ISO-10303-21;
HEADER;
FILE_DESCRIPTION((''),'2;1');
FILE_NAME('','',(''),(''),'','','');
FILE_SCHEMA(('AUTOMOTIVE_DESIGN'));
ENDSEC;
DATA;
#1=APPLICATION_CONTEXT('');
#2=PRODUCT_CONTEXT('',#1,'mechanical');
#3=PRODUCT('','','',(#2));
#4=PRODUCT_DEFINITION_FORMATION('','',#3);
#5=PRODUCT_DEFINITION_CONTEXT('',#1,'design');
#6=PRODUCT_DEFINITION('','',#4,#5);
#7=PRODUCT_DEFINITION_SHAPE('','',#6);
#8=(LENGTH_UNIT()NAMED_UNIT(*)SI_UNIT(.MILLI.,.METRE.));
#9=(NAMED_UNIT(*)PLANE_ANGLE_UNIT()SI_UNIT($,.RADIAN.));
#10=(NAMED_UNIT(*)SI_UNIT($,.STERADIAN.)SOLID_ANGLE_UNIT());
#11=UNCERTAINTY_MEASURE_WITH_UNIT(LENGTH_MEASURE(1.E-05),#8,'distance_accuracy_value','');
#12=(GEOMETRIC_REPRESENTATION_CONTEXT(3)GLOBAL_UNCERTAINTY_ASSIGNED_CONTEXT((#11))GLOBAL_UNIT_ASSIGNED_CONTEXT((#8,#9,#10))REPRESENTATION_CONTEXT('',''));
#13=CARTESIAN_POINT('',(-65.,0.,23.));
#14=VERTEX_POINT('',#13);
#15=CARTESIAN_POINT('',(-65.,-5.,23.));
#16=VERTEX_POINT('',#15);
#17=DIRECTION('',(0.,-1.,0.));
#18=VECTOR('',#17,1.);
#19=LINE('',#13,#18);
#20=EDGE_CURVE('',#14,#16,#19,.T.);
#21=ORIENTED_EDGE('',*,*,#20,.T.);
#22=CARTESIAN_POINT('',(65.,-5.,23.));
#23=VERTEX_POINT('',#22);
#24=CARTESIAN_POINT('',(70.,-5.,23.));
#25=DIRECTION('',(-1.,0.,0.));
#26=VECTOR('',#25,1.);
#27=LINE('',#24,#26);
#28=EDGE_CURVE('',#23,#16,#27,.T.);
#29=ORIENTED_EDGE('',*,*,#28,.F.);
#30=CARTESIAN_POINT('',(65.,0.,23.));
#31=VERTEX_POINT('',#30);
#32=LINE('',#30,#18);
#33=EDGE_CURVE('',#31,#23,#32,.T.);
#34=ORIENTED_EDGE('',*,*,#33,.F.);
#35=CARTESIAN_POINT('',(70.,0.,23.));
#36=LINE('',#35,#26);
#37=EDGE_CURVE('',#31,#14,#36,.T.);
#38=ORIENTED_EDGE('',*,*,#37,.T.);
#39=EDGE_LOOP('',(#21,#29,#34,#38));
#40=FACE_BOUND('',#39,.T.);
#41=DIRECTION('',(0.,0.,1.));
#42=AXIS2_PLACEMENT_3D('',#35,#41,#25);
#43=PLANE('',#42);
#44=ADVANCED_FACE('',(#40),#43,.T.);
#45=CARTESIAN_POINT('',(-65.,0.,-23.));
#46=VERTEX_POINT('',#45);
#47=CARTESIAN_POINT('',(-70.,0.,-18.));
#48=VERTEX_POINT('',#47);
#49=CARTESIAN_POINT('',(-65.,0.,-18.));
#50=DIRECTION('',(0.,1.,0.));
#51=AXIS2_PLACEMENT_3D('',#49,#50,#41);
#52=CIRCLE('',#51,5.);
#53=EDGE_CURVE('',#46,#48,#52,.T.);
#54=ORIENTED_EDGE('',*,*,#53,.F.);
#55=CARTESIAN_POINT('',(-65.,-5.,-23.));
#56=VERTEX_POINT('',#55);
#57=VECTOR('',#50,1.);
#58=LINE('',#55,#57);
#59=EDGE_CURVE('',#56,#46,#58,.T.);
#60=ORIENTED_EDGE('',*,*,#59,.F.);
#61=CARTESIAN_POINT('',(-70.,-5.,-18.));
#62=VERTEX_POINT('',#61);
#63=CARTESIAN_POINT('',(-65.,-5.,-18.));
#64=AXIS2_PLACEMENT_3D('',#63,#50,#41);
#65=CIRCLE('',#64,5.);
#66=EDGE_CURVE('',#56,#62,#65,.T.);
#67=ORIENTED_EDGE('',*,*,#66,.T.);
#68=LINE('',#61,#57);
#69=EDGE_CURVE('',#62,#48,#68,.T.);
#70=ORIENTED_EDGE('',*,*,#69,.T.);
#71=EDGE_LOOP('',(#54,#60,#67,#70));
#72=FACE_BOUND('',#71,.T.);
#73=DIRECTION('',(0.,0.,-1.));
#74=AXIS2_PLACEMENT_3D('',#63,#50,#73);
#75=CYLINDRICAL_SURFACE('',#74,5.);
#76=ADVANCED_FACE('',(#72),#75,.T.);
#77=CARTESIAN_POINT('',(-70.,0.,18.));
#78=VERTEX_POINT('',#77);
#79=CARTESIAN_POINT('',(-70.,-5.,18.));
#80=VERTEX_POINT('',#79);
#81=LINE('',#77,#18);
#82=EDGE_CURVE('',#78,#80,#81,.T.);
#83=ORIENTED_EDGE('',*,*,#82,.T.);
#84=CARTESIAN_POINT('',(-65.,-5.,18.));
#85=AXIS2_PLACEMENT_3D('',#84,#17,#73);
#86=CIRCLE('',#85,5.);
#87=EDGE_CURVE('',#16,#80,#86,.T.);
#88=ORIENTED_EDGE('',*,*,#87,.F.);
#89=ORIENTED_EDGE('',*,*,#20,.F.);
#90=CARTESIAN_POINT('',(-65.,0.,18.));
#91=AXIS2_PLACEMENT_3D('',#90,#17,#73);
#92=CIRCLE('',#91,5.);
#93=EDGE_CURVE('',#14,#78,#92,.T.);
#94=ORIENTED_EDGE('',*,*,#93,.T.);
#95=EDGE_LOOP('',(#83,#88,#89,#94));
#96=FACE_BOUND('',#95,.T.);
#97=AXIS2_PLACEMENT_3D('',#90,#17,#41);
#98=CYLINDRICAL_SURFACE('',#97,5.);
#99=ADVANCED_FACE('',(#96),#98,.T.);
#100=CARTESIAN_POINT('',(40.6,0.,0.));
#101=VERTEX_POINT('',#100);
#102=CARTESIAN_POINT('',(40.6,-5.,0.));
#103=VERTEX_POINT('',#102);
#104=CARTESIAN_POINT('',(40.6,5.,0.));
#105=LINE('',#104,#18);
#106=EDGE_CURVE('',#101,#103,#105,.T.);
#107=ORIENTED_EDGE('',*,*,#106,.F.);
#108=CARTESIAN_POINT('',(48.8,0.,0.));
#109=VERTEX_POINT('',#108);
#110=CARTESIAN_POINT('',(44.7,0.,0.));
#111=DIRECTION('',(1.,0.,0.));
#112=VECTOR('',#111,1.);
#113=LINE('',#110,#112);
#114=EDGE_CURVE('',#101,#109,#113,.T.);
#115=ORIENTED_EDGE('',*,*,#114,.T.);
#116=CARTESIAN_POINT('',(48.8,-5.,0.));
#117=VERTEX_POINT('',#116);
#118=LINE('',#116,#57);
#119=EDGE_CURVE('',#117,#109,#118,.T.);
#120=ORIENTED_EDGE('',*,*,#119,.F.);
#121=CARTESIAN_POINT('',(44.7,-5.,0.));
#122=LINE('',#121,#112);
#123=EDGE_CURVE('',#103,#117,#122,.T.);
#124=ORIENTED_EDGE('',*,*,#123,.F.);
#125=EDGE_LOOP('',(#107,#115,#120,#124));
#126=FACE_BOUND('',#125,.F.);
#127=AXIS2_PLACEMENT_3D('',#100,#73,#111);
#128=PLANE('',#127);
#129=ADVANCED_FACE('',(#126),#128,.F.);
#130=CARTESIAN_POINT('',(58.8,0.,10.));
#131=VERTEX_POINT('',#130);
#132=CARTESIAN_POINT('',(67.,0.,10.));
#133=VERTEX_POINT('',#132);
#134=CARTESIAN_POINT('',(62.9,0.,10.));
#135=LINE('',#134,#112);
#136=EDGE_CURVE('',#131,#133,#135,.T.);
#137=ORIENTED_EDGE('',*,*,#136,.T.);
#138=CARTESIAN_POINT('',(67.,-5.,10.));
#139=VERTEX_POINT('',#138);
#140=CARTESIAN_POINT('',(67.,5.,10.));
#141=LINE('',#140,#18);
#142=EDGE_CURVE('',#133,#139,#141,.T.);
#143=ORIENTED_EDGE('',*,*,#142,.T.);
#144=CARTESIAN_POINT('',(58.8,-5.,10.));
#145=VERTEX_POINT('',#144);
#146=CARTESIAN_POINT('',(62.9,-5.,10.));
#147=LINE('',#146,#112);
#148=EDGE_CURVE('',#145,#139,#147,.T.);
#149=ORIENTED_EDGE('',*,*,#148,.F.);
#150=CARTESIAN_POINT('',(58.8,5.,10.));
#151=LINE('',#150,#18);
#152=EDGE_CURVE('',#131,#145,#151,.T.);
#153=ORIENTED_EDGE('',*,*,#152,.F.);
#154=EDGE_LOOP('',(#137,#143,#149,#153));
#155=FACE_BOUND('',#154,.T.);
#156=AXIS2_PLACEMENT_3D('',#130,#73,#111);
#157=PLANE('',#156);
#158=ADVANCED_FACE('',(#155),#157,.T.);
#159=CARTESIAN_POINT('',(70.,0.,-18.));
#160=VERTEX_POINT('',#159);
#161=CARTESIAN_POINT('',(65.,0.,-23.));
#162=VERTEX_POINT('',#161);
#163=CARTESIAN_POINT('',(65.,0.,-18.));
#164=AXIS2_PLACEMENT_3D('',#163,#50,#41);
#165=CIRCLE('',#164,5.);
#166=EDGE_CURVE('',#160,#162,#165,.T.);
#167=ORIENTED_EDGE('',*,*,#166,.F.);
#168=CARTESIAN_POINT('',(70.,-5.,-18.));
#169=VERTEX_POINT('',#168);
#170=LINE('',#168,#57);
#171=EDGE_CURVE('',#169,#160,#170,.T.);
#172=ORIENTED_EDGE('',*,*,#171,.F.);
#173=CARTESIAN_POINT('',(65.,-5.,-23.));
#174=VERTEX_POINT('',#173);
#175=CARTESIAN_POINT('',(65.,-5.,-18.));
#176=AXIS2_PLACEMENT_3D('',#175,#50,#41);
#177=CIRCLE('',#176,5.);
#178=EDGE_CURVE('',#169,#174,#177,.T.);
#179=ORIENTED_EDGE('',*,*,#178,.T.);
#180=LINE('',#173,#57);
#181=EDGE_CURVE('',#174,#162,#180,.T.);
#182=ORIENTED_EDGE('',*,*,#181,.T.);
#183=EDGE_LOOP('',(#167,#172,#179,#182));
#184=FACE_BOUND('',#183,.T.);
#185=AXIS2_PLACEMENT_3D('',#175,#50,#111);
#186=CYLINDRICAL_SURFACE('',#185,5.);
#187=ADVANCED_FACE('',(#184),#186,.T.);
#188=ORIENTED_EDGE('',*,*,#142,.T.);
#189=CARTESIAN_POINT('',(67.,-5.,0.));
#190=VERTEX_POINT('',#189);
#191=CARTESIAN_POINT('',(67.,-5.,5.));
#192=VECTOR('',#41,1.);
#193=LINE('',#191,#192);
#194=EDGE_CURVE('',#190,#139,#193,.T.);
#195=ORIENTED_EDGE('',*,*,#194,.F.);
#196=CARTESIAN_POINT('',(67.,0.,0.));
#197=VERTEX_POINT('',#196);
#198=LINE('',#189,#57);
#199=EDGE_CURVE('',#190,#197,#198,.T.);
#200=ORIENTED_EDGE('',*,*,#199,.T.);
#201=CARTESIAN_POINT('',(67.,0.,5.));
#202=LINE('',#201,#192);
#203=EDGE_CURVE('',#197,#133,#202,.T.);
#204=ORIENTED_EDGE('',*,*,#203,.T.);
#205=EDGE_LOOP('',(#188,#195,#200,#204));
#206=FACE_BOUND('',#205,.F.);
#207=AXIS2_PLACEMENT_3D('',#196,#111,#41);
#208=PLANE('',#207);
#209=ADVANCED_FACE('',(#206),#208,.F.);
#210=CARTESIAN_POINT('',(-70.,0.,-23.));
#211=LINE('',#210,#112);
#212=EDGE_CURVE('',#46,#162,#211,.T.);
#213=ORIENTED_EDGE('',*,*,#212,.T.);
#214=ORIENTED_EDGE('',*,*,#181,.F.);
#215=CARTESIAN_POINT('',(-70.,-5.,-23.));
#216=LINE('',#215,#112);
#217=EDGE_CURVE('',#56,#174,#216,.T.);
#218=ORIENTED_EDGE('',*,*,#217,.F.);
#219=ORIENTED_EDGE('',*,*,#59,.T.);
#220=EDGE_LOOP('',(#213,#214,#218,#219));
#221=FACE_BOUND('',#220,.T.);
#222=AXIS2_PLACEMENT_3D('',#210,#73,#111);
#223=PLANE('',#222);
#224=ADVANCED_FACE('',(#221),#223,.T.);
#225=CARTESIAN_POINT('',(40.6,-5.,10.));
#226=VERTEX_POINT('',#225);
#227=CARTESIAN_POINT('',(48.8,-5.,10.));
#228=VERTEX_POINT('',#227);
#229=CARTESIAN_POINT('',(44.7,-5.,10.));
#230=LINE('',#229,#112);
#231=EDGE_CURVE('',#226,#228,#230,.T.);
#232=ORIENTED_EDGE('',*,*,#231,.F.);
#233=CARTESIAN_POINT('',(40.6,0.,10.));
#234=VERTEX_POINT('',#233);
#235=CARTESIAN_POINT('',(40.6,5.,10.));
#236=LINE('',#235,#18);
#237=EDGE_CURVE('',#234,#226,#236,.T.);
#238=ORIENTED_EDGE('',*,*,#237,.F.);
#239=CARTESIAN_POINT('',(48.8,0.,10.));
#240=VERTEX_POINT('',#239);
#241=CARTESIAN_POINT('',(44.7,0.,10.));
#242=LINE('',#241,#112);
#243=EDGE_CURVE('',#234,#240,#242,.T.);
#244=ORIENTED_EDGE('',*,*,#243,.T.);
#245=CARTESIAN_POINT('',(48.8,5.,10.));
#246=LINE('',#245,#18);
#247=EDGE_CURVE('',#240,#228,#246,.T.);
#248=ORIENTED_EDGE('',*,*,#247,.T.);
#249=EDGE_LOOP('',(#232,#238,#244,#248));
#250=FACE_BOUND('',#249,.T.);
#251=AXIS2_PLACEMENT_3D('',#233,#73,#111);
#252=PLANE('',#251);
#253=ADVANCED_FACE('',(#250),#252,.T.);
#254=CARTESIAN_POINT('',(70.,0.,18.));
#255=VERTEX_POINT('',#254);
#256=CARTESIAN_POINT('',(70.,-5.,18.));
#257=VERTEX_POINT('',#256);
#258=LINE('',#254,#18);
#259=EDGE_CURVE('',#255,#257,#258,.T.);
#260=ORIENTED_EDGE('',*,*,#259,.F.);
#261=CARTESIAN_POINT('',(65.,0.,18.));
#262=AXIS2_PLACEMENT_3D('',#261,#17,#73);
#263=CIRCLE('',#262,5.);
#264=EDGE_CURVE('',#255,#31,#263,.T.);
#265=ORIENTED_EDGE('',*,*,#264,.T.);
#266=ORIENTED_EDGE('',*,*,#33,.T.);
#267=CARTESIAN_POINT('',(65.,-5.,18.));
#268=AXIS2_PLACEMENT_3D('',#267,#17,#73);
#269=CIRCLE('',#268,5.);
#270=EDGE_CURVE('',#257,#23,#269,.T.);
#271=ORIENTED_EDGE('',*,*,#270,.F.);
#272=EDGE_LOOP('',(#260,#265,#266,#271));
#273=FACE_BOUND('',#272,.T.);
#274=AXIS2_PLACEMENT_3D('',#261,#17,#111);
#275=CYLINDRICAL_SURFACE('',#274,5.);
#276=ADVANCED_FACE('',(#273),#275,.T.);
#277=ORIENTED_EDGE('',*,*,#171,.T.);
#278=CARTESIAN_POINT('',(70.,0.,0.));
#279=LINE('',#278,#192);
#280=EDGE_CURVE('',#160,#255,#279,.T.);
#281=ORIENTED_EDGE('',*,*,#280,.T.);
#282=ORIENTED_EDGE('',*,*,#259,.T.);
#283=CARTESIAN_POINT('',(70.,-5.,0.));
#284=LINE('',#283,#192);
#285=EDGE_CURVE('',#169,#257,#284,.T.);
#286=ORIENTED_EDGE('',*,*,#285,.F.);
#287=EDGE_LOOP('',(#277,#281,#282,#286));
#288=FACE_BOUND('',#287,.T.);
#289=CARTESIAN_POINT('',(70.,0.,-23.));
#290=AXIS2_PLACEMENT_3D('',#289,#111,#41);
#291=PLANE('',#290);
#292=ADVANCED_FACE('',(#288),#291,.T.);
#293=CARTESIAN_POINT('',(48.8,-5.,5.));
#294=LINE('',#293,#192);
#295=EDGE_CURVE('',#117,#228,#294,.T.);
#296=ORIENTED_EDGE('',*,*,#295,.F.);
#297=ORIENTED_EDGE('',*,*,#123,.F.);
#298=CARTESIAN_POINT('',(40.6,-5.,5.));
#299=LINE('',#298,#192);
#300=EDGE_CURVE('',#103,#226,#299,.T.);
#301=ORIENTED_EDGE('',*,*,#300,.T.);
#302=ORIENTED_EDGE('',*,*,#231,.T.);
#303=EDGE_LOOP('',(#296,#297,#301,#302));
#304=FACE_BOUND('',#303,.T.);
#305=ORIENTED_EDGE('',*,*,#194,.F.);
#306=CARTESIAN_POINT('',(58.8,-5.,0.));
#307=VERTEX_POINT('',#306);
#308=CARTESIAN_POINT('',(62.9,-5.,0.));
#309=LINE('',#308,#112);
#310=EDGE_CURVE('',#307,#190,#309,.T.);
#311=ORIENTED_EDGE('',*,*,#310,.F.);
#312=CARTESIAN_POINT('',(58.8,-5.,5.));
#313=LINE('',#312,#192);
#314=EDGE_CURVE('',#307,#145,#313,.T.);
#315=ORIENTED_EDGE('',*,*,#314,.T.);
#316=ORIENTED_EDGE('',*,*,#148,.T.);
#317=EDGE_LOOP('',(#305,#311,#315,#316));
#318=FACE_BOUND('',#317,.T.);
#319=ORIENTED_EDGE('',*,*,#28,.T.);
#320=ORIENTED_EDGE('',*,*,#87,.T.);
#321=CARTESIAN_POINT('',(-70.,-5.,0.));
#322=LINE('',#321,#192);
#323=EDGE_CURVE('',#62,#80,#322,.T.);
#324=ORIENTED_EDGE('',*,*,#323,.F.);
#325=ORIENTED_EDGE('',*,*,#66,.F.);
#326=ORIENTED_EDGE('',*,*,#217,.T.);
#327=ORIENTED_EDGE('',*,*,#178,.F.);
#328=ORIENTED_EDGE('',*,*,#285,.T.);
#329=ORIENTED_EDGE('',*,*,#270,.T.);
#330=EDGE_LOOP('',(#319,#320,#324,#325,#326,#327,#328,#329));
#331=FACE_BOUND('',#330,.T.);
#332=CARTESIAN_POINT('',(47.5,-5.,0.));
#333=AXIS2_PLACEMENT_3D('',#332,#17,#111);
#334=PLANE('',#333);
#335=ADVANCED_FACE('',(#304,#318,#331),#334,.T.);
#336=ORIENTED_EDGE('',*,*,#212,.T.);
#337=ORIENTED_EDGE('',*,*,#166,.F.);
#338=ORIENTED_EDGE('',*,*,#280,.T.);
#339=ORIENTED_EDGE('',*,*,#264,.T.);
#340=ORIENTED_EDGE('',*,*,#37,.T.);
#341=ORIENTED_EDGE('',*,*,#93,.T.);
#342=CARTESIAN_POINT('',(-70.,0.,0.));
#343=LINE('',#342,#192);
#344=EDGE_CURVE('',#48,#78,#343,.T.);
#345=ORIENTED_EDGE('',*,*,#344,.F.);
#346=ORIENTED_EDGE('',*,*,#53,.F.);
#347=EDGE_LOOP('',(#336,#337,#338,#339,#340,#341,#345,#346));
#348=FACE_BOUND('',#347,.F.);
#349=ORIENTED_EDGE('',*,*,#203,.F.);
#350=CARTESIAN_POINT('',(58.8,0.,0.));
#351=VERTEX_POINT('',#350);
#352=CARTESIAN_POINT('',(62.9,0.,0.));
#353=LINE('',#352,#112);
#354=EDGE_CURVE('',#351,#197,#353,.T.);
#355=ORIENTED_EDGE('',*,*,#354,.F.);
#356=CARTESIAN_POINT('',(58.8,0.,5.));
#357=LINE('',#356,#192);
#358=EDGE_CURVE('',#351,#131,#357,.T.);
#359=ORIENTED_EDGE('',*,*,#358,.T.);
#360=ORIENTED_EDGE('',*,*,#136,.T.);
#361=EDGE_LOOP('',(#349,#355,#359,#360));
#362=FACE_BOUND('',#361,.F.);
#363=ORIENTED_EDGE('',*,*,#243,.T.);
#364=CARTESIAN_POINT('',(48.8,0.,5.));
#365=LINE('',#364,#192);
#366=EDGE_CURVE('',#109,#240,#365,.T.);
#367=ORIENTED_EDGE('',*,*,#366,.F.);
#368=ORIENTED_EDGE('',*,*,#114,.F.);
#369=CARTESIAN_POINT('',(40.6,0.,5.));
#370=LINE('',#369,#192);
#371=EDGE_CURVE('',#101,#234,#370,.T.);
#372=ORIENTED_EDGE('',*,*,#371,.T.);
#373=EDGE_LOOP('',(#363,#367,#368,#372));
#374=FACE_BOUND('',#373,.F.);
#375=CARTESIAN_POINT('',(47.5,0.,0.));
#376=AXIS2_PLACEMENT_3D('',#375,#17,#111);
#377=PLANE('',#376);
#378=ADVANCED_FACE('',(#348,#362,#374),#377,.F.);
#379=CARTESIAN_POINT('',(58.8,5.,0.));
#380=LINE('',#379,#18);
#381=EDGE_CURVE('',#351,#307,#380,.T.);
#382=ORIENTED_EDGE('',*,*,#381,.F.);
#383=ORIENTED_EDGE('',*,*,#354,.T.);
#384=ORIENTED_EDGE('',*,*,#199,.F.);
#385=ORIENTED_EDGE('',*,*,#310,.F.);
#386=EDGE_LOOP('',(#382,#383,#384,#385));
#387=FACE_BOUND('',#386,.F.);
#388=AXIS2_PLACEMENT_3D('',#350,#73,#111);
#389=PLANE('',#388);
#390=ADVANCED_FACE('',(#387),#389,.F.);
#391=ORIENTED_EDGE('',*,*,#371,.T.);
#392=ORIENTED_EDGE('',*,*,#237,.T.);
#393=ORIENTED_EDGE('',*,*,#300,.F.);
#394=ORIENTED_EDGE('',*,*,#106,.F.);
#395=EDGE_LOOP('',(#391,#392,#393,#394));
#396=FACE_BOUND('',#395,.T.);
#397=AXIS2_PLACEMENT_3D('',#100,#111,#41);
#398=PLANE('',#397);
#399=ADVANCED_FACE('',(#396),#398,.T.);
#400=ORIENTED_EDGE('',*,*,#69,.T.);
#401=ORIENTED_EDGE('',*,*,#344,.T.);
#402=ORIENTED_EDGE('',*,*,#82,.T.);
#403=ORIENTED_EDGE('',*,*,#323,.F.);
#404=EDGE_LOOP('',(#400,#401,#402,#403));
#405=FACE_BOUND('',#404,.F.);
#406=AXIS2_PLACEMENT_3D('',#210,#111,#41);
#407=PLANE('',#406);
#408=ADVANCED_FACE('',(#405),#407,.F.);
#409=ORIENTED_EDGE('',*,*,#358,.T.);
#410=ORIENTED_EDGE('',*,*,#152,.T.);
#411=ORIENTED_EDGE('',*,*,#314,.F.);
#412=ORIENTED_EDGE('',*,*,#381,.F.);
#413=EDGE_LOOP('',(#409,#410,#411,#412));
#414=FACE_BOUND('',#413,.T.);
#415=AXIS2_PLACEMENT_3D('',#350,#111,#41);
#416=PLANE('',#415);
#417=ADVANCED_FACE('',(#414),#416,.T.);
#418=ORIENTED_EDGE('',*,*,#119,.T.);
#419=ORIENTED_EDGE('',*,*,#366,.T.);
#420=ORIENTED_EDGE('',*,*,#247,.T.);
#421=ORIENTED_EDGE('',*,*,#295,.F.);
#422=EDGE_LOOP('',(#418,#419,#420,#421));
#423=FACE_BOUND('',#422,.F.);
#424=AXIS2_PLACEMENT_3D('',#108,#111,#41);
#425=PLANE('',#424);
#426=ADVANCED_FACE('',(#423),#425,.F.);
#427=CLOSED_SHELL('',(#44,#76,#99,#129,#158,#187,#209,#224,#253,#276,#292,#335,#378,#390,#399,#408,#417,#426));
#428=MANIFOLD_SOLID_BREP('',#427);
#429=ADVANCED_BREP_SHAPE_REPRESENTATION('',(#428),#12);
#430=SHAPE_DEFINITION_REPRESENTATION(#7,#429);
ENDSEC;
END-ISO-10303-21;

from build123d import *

# Parameters (mm, degrees)
F0_W     = 45
F0_H     = 46
F0_W_2   = 8.2
F0_H_2   = 10
F0_W_3   = 95
F1_DEPTH = 5
F2_DEPTH = 25
F3_R     = 5


with BuildPart() as f1:
    # F0 (on Front) → F1 (new body, symmetric)
    with BuildSketch(Plane.XZ):
        with Locations((47.5, 0)):
            Rectangle(F0_W, F0_H)
        with Locations((44.7, 5)):
            Rectangle(F0_W_2, F0_H_2, mode=Mode.SUBTRACT)
        with Locations((62.9, 5)):
            Rectangle(F0_W_2, F0_H_2, mode=Mode.SUBTRACT)
        with Locations((-22.5, 0)):
            Rectangle(F0_W_3, F0_H)
    extrude(amount=F1_DEPTH, both=True)

    # F0 (on Front) → F2 (cut)
    with BuildSketch(Plane.XZ):
        with Locations((47.5, 0)):
            Rectangle(F0_W, F0_H)
        with Locations((44.7, 5)):
            Rectangle(F0_W_2, F0_H_2, mode=Mode.SUBTRACT)
        with Locations((62.9, 5)):
            Rectangle(F0_W_2, F0_H_2, mode=Mode.SUBTRACT)
        with Locations((-22.5, 0)):
            Rectangle(F0_W_3, F0_H)
    extrude(amount=-F2_DEPTH, mode=Mode.SUBTRACT)

    # F3
    f3_edges = [f1.edges().sort_by_distance(p)[0] for p in [
        (-70, -2.5, 23),
        (-70, -2.5, -23),
        (70, -2.5, 23),
        (70, -2.5, -23),
    ]]
    fillet(f3_edges, radius=F3_R)


solid = f1.part
